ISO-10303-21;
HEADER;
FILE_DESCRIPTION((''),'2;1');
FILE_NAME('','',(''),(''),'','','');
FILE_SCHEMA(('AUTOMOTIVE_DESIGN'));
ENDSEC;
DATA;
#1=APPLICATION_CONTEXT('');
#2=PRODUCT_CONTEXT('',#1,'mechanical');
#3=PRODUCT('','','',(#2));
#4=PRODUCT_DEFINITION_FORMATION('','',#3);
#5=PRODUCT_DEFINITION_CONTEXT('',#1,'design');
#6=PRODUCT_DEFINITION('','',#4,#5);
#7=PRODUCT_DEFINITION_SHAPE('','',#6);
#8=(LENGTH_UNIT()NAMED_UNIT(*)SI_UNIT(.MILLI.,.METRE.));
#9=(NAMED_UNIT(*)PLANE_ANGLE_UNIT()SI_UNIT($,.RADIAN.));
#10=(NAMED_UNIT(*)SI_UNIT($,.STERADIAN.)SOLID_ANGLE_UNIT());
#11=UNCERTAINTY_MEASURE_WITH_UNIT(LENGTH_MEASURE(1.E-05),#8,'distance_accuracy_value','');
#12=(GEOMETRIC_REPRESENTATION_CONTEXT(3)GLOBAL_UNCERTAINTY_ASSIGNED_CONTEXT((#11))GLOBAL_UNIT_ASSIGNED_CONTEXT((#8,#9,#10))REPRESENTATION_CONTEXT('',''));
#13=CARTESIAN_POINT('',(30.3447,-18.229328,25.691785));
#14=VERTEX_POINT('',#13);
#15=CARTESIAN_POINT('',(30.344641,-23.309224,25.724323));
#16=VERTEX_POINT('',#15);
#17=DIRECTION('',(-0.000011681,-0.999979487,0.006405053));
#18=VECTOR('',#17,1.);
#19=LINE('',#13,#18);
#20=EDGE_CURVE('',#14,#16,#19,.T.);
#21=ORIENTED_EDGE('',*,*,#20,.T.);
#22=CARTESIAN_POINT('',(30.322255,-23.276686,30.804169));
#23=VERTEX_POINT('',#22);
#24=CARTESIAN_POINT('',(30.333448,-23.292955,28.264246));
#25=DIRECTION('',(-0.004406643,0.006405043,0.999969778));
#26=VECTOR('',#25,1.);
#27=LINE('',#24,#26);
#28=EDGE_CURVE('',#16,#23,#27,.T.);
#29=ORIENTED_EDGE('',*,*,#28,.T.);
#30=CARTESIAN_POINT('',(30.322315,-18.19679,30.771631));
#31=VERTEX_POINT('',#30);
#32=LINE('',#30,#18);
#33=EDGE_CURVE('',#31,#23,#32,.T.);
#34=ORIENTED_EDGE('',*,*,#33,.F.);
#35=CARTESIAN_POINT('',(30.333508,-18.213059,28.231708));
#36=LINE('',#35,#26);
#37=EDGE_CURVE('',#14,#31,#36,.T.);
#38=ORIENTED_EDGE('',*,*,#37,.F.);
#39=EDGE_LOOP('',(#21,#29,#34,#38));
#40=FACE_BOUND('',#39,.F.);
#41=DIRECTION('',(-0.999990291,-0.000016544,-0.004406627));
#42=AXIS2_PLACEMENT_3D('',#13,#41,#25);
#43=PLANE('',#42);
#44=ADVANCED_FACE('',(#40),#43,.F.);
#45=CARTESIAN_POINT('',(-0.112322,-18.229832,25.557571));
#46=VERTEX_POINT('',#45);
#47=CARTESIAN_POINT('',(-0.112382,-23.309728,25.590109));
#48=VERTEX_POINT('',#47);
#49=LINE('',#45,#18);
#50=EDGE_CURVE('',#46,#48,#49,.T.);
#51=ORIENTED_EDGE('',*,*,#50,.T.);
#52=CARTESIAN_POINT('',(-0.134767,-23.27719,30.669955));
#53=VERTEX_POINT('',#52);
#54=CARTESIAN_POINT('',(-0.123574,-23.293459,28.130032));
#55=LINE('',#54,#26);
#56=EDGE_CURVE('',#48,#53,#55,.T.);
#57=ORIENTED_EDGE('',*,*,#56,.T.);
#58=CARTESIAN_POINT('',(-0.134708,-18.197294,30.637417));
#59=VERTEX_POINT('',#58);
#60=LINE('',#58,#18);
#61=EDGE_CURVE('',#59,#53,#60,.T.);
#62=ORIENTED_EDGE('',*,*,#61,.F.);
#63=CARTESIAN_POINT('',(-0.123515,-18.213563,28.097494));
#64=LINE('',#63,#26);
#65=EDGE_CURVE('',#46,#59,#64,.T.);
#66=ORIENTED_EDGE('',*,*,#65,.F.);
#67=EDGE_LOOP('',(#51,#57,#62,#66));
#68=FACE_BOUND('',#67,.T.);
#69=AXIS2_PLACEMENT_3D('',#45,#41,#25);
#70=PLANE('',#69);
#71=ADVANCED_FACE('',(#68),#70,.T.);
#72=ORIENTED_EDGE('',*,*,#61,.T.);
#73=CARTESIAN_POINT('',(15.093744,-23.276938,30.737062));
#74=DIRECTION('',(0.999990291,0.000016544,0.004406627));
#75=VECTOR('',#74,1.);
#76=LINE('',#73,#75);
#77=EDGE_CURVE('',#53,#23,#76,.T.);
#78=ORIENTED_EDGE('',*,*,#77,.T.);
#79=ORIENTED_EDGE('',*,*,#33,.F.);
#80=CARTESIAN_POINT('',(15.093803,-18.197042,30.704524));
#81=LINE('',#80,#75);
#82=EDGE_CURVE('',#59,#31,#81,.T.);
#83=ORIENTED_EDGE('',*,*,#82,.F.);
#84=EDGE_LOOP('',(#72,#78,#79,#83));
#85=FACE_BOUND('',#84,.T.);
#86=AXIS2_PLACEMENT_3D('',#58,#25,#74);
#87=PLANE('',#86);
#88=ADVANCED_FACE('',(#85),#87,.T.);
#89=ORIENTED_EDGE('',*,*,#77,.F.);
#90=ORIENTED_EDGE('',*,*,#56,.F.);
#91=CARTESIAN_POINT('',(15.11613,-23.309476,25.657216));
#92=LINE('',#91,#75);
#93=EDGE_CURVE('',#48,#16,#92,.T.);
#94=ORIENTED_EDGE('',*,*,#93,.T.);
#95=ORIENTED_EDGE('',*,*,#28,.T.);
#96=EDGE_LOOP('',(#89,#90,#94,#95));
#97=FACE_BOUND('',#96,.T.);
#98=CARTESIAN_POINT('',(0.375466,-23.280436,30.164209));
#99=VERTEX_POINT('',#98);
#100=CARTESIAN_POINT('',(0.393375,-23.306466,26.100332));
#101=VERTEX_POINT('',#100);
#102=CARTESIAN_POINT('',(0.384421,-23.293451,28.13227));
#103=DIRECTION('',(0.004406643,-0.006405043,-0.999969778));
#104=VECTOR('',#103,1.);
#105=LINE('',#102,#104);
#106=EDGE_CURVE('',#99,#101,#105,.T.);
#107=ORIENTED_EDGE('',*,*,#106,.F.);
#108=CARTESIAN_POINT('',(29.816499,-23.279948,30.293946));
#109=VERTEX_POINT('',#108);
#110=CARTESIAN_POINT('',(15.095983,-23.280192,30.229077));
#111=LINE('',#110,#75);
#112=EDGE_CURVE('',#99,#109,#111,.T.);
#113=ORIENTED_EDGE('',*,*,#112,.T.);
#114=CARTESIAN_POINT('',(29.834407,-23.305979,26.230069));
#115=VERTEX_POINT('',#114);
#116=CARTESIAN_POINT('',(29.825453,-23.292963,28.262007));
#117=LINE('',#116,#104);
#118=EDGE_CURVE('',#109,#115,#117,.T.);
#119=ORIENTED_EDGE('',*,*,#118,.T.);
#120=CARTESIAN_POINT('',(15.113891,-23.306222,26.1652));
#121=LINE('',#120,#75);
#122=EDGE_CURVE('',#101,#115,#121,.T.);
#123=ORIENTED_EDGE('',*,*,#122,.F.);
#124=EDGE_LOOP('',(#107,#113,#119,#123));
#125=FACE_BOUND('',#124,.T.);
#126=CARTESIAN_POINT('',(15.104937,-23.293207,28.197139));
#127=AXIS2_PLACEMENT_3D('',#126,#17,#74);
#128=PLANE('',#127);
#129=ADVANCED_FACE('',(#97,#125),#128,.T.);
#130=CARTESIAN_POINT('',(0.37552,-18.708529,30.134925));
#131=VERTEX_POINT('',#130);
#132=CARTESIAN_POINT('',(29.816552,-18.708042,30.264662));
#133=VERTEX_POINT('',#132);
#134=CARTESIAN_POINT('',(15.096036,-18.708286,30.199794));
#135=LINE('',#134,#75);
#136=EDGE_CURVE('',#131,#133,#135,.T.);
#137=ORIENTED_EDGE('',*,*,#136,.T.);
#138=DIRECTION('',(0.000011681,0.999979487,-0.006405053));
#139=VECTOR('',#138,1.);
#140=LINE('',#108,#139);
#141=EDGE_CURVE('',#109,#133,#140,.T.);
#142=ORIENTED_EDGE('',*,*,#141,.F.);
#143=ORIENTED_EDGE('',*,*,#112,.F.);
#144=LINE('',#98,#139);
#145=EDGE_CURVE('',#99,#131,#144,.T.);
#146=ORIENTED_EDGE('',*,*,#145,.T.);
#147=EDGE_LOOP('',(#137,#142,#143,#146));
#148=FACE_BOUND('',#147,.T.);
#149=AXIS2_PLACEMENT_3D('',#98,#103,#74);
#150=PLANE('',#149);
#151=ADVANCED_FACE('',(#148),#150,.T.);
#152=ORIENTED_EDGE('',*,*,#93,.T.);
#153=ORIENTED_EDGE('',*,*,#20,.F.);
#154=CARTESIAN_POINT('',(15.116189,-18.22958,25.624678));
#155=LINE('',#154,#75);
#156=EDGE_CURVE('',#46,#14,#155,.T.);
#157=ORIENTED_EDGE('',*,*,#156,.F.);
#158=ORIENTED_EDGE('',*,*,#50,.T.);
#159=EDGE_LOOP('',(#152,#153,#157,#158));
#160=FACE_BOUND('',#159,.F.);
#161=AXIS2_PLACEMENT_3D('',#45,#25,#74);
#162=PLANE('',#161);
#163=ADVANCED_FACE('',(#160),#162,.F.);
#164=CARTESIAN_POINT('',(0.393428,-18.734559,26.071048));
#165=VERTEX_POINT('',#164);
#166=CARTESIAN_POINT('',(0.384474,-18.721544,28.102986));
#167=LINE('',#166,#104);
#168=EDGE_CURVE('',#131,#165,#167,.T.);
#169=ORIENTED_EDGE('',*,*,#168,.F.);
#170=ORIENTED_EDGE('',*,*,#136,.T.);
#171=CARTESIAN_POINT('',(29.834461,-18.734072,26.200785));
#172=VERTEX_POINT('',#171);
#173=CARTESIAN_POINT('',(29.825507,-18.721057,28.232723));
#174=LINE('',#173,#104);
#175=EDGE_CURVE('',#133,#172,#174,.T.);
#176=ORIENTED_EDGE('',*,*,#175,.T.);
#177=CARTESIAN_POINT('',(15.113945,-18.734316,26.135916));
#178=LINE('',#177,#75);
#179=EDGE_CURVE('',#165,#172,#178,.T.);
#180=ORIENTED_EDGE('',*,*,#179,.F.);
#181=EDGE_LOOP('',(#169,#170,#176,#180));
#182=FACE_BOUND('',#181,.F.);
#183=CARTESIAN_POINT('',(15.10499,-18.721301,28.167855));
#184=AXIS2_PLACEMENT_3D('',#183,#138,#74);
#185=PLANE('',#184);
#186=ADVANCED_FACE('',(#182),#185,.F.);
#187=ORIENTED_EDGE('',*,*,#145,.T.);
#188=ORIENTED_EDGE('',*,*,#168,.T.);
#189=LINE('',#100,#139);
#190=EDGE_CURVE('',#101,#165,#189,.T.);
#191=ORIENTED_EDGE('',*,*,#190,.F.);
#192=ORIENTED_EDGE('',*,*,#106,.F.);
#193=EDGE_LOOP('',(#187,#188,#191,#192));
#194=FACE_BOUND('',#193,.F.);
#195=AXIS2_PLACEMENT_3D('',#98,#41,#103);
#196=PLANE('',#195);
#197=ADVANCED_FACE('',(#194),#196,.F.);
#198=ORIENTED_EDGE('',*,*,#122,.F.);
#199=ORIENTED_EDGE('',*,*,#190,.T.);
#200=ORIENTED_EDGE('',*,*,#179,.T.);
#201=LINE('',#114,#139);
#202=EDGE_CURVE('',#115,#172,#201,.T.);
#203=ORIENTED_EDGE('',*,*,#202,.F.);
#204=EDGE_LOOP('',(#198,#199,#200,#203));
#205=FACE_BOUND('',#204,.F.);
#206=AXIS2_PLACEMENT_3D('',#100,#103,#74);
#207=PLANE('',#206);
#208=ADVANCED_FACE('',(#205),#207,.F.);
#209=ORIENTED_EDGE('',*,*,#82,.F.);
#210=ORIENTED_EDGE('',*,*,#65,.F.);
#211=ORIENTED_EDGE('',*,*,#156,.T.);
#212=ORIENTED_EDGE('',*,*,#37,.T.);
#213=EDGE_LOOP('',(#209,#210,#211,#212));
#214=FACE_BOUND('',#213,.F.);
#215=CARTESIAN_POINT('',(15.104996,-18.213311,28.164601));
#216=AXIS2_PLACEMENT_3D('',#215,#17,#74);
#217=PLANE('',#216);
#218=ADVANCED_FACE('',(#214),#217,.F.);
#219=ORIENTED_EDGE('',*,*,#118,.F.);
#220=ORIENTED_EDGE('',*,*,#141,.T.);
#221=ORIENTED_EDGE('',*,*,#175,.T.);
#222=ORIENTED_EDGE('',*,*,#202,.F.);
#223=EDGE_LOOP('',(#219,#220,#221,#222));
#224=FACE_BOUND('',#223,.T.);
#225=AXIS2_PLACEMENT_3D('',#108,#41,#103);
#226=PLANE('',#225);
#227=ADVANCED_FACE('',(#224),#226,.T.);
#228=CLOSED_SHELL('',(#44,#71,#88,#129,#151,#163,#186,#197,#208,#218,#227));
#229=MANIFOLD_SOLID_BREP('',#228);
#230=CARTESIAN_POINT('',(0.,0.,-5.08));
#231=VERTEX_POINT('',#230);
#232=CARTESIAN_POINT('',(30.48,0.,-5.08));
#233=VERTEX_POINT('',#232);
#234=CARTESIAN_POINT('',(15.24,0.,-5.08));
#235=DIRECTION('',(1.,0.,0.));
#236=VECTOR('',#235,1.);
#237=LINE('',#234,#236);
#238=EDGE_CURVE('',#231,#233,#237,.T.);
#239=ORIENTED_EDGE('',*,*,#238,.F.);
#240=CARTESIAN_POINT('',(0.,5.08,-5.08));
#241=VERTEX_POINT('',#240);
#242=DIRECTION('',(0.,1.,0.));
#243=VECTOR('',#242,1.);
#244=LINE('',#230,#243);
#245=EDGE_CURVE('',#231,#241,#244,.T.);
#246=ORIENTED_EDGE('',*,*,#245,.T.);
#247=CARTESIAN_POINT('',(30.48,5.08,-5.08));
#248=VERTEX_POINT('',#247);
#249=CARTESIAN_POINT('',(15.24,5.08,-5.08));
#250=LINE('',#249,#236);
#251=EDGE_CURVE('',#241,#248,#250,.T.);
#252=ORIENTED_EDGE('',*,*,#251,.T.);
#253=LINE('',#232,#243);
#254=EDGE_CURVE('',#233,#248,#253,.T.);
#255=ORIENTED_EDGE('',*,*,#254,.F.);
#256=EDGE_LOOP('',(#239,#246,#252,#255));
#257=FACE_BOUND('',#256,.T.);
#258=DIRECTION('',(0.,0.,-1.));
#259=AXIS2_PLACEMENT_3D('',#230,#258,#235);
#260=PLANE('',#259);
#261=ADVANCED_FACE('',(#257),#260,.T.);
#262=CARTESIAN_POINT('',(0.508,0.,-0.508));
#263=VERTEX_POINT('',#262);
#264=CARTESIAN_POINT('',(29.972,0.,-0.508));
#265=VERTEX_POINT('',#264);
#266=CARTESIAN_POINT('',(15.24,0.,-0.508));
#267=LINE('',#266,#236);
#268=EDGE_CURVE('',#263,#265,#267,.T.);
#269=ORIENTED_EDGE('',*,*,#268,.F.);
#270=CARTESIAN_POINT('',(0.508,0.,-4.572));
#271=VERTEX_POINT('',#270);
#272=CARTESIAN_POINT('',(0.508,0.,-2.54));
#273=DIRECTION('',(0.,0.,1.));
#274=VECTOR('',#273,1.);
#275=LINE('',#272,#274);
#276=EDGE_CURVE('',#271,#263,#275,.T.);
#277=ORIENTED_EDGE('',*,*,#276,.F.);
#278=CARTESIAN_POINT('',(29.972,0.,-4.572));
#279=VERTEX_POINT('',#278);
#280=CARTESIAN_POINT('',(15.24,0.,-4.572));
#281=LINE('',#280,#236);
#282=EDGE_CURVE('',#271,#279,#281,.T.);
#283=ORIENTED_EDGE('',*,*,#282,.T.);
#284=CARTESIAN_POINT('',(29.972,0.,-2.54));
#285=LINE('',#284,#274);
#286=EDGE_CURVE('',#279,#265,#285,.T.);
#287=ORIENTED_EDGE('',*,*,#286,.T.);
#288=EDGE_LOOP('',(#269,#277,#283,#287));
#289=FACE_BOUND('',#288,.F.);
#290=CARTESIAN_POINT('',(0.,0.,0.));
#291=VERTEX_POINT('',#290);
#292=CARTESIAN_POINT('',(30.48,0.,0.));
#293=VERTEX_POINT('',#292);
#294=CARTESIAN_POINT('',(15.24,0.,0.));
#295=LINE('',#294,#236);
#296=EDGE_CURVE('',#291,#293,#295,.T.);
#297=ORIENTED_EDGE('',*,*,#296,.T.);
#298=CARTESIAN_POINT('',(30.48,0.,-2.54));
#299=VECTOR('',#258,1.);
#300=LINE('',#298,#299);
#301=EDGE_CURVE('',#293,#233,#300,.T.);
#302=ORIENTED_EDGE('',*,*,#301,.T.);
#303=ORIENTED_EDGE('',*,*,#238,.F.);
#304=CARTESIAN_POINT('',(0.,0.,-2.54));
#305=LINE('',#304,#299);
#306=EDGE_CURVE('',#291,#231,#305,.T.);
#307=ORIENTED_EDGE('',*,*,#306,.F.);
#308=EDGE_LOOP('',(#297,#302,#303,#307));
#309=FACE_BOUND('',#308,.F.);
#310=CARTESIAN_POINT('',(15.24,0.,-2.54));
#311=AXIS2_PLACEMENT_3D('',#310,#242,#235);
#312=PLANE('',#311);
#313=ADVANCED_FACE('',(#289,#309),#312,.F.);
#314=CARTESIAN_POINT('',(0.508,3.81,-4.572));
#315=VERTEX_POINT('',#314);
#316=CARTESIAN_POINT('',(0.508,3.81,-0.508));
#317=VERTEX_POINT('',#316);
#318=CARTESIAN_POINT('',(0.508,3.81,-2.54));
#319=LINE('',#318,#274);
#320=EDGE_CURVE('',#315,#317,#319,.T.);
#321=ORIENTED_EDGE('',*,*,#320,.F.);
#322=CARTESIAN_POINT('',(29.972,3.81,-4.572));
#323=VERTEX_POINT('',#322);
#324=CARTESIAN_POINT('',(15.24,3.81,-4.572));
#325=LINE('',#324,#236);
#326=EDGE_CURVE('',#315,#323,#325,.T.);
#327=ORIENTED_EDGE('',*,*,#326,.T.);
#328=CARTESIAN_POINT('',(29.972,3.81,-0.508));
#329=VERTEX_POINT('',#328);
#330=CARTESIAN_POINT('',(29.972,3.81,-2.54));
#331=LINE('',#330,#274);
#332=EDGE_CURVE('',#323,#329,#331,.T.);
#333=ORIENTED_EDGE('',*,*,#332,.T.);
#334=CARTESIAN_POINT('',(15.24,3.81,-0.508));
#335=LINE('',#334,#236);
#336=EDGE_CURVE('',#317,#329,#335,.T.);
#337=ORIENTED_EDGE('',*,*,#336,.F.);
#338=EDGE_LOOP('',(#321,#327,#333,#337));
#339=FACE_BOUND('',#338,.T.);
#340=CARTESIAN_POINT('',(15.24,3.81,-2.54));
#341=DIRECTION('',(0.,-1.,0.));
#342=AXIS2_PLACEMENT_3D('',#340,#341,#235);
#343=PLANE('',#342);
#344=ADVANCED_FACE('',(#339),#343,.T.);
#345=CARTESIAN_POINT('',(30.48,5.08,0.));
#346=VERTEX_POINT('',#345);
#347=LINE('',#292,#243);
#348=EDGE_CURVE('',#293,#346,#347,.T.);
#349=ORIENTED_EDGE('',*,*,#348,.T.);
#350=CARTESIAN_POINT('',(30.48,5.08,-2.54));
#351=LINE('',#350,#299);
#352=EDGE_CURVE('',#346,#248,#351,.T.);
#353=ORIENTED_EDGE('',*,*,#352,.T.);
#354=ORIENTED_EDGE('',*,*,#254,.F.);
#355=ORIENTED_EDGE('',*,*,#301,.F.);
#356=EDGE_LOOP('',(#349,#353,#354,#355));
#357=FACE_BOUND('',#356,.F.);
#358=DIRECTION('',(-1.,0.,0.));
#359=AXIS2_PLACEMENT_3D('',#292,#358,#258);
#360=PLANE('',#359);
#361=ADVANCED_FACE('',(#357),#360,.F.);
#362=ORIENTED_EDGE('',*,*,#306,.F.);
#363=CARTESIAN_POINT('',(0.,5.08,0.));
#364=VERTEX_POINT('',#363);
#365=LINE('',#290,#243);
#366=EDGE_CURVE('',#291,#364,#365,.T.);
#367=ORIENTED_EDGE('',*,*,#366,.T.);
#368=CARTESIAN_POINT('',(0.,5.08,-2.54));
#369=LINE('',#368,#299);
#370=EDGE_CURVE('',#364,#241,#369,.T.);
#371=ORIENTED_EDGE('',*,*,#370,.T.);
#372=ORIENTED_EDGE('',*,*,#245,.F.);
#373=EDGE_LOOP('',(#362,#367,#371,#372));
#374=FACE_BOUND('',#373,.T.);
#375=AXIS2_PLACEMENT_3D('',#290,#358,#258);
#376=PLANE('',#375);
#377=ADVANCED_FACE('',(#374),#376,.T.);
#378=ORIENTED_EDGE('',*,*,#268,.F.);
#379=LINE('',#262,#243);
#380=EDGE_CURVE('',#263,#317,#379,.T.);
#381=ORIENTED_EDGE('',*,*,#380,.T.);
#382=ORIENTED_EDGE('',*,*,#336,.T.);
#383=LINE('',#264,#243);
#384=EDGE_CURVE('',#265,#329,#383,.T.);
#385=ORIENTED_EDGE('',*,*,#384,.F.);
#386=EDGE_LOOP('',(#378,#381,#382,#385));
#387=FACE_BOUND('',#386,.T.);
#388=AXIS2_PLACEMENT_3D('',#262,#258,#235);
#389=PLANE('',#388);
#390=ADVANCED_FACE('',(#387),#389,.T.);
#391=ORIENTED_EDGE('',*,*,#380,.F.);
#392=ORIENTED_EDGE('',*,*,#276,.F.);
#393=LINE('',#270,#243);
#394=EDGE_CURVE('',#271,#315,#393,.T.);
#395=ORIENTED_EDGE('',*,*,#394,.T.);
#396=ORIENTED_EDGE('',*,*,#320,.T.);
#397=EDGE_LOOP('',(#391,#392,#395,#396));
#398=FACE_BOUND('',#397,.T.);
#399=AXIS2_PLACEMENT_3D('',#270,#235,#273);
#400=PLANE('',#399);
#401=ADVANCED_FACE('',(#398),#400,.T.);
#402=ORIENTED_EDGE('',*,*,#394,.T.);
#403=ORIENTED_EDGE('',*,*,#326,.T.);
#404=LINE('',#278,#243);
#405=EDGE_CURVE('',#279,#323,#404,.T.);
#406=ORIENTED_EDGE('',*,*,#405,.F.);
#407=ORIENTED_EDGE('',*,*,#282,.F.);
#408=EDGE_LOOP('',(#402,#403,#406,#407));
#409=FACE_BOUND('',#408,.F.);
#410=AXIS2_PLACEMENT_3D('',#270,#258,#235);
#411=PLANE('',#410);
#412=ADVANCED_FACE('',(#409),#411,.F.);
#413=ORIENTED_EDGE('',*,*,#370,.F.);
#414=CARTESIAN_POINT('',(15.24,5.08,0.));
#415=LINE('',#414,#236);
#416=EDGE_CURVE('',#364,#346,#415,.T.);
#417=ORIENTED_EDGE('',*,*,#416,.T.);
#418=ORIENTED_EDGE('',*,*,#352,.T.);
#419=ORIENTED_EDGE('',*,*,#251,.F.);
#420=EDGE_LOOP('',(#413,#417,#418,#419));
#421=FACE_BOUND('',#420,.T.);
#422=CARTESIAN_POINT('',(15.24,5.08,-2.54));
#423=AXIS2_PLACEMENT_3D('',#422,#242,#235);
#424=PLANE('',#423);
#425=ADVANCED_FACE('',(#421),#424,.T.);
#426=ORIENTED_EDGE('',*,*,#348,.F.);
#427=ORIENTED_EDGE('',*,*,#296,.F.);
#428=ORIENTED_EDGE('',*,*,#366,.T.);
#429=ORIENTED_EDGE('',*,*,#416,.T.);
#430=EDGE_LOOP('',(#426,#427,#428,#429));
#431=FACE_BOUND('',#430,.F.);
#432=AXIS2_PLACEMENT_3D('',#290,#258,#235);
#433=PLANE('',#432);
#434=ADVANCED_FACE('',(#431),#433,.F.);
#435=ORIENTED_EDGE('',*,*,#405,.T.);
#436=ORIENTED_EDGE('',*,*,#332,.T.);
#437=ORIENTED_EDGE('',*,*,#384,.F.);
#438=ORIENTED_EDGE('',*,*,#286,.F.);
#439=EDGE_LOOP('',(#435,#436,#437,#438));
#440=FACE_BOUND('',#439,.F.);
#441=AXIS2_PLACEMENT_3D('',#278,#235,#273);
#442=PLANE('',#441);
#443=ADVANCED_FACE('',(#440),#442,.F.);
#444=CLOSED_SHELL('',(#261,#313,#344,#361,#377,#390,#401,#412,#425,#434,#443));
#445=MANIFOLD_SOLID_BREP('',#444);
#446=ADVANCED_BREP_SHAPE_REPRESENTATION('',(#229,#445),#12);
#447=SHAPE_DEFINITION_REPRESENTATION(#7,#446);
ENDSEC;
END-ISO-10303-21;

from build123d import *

# Parameters (mm, degrees)
SKETCH1_W           = 30.48
SKETCH1_H           = 5.08
BOSS_EXTRUDE1_DEPTH = 5.08
SKETCH2_W           = 29.464
SKETCH2_H           = 4.064
CUT_EXTRUDE1_DEPTH  = 3.81
SKETCH4_W           = 30.457318312
SKETCH4_H           = 5.08
BOSS_EXTRUDE2_DEPTH = 5.08
SKETCH5_W           = 29.441318312
SKETCH5_H           = 4.064
CUT_EXTRUDE2_DEPTH  = 4.572


with BuildPart() as part:
    # Sketch1 → Boss-Extrude1 (new body)
    with BuildSketch(Plane(origin=(0, 0, 0), x_dir=(1, 0, 0), z_dir=(0, 1, 0))):
        with Locations((15.24, 2.54)):
            Rectangle(SKETCH1_W, SKETCH1_H)
    extrude(amount=BOSS_EXTRUDE1_DEPTH)

    # Sketch2 → Cut-Extrude1 (cut)
    with BuildSketch(Plane.XZ):
        with Locations((15.24, -2.54)):
            Rectangle(SKETCH2_W, SKETCH2_H)
    extrude(amount=-CUT_EXTRUDE1_DEPTH, mode=Mode.SUBTRACT)


with BuildPart() as body_2:
    # Sketch4 → Boss-Extrude2 (new body)
    with BuildSketch(Plane(origin=(-0.000214859, -18.392779658, 0.117809153), x_dir=(0.9999902906340888, 1.654365665117265e-05, 0.004406627265614342), z_dir=(-1.1681479151945916e-05, -0.9999794873667439, 0.0064050534179832894))):
        with Locations((15.228659156, 27.980530597)):
            Rectangle(SKETCH4_W, SKETCH4_H)
    extrude(amount=BOSS_EXTRUDE2_DEPTH)

    # Sketch5 → Cut-Extrude2 (cut)
    with BuildSketch(Plane(origin=(-0.000274201, -23.472675454, 0.150346824), x_dir=(0.999990290634089, 1.6543656651029003e-05, 0.004406627265591424), z_dir=(1.1681479151941708e-05, 0.9999794873667439, -0.006405053417983048))):
        with Locations((15.228659156, -27.980530597)):
            Rectangle(SKETCH5_W, SKETCH5_H)
    extrude(amount=CUT_EXTRUDE2_DEPTH, mode=Mode.SUBTRACT)


solid = Compound([part.part, body_2.part])
